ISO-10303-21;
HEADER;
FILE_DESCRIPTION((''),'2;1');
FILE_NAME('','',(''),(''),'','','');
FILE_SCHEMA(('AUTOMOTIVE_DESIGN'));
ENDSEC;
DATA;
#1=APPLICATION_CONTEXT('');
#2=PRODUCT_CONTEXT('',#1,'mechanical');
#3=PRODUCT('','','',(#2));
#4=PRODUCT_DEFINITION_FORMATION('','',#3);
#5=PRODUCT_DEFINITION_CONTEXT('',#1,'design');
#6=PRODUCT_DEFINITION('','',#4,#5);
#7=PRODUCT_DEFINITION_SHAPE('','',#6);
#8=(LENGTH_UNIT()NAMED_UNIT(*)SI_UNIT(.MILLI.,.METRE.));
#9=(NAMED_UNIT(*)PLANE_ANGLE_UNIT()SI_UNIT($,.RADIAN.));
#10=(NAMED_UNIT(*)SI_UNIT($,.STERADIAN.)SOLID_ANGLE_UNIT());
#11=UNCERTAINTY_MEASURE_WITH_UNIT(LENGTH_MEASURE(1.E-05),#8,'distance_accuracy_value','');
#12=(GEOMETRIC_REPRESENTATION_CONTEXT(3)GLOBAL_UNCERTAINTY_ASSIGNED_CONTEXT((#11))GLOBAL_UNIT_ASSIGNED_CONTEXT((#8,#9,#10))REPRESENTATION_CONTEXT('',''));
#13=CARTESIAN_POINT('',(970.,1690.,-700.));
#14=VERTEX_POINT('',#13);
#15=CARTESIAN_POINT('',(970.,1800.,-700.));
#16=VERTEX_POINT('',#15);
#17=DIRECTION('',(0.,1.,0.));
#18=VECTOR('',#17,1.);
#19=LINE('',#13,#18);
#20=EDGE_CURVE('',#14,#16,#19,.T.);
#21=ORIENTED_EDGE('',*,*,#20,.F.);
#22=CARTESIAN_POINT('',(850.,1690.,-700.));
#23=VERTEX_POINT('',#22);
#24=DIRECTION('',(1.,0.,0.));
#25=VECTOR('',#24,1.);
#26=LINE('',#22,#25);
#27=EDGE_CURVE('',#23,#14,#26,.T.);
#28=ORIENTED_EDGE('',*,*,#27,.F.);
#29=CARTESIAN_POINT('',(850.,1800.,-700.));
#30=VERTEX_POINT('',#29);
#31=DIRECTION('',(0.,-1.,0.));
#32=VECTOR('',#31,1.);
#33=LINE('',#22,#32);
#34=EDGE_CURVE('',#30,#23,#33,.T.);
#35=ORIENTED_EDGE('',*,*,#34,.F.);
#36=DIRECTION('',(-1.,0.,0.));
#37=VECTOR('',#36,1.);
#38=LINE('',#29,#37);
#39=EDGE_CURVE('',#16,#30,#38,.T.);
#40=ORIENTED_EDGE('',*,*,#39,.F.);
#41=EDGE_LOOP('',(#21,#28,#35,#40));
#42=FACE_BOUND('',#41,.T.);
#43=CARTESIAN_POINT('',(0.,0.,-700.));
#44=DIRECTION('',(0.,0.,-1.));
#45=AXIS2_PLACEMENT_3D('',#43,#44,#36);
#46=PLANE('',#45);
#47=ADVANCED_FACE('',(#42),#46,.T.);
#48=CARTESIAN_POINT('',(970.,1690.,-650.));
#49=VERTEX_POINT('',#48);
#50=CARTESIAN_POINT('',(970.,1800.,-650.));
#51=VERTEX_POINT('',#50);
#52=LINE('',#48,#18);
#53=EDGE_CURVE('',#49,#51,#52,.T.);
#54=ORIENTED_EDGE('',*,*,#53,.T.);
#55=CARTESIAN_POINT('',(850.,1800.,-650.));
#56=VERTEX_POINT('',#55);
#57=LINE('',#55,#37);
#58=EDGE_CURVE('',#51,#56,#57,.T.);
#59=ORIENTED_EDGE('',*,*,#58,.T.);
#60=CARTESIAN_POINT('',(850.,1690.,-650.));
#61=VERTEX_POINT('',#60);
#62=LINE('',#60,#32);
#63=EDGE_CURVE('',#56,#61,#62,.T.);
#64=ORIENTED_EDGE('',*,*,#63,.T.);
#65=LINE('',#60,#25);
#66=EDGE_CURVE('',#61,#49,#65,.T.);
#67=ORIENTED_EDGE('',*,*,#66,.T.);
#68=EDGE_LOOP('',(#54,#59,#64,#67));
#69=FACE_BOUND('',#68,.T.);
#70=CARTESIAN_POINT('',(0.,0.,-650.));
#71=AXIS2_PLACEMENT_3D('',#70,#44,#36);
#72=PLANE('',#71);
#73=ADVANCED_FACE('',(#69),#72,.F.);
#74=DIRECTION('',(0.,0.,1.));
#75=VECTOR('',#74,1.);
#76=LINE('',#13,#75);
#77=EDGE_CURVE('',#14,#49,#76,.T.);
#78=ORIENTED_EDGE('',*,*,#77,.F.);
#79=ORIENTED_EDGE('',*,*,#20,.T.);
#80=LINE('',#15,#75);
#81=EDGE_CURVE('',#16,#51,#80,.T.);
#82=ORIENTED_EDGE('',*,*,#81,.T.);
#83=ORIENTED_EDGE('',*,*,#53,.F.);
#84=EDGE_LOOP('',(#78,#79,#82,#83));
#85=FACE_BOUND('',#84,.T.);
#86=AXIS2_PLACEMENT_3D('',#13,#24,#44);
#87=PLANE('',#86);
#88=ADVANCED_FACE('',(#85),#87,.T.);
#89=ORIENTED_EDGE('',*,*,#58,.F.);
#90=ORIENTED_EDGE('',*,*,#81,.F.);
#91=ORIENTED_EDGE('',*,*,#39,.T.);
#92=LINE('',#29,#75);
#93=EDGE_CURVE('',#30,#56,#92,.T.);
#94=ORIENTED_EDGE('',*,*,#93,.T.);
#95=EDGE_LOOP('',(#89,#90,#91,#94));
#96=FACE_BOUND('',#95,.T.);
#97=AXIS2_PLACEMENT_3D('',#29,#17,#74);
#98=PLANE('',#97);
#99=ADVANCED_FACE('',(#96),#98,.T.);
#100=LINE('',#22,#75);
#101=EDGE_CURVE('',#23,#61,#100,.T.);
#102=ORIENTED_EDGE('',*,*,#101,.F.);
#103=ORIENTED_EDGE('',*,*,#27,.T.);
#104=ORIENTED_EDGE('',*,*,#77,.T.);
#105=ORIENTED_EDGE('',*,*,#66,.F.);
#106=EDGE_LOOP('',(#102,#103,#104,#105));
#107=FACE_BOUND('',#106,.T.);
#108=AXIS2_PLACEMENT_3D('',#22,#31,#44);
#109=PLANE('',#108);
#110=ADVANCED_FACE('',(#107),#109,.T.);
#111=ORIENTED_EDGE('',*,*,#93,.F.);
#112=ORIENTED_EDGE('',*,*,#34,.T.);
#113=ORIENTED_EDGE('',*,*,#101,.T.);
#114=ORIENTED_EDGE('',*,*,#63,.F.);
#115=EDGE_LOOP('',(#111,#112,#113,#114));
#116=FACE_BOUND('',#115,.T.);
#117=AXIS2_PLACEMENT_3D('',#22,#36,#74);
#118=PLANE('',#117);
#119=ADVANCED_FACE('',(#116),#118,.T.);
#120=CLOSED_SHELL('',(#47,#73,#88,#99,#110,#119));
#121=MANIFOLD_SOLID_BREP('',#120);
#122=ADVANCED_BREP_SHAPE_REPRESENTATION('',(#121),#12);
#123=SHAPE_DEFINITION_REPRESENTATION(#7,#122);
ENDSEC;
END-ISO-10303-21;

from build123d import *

# Parameters (mm, degrees)
STORE_PANO_PLC_MODBUSTCP_1_START = -650
SKETCH1_W                        = 120
SKETCH1_H                        = 110
STORE_PANO_PLC_MODBUSTCP_1_DEPTH = 50


with BuildPart() as part:
    # Sketch1 → STORE_pano_PLC_ModbusTCP_1 (new body)
    with BuildSketch(Plane.XY.offset(STORE_PANO_PLC_MODBUSTCP_1_START)):
        with Locations((910, 1745)):
            Rectangle(SKETCH1_W, SKETCH1_H)
    extrude(amount=-STORE_PANO_PLC_MODBUSTCP_1_DEPTH)


solid = part.part
